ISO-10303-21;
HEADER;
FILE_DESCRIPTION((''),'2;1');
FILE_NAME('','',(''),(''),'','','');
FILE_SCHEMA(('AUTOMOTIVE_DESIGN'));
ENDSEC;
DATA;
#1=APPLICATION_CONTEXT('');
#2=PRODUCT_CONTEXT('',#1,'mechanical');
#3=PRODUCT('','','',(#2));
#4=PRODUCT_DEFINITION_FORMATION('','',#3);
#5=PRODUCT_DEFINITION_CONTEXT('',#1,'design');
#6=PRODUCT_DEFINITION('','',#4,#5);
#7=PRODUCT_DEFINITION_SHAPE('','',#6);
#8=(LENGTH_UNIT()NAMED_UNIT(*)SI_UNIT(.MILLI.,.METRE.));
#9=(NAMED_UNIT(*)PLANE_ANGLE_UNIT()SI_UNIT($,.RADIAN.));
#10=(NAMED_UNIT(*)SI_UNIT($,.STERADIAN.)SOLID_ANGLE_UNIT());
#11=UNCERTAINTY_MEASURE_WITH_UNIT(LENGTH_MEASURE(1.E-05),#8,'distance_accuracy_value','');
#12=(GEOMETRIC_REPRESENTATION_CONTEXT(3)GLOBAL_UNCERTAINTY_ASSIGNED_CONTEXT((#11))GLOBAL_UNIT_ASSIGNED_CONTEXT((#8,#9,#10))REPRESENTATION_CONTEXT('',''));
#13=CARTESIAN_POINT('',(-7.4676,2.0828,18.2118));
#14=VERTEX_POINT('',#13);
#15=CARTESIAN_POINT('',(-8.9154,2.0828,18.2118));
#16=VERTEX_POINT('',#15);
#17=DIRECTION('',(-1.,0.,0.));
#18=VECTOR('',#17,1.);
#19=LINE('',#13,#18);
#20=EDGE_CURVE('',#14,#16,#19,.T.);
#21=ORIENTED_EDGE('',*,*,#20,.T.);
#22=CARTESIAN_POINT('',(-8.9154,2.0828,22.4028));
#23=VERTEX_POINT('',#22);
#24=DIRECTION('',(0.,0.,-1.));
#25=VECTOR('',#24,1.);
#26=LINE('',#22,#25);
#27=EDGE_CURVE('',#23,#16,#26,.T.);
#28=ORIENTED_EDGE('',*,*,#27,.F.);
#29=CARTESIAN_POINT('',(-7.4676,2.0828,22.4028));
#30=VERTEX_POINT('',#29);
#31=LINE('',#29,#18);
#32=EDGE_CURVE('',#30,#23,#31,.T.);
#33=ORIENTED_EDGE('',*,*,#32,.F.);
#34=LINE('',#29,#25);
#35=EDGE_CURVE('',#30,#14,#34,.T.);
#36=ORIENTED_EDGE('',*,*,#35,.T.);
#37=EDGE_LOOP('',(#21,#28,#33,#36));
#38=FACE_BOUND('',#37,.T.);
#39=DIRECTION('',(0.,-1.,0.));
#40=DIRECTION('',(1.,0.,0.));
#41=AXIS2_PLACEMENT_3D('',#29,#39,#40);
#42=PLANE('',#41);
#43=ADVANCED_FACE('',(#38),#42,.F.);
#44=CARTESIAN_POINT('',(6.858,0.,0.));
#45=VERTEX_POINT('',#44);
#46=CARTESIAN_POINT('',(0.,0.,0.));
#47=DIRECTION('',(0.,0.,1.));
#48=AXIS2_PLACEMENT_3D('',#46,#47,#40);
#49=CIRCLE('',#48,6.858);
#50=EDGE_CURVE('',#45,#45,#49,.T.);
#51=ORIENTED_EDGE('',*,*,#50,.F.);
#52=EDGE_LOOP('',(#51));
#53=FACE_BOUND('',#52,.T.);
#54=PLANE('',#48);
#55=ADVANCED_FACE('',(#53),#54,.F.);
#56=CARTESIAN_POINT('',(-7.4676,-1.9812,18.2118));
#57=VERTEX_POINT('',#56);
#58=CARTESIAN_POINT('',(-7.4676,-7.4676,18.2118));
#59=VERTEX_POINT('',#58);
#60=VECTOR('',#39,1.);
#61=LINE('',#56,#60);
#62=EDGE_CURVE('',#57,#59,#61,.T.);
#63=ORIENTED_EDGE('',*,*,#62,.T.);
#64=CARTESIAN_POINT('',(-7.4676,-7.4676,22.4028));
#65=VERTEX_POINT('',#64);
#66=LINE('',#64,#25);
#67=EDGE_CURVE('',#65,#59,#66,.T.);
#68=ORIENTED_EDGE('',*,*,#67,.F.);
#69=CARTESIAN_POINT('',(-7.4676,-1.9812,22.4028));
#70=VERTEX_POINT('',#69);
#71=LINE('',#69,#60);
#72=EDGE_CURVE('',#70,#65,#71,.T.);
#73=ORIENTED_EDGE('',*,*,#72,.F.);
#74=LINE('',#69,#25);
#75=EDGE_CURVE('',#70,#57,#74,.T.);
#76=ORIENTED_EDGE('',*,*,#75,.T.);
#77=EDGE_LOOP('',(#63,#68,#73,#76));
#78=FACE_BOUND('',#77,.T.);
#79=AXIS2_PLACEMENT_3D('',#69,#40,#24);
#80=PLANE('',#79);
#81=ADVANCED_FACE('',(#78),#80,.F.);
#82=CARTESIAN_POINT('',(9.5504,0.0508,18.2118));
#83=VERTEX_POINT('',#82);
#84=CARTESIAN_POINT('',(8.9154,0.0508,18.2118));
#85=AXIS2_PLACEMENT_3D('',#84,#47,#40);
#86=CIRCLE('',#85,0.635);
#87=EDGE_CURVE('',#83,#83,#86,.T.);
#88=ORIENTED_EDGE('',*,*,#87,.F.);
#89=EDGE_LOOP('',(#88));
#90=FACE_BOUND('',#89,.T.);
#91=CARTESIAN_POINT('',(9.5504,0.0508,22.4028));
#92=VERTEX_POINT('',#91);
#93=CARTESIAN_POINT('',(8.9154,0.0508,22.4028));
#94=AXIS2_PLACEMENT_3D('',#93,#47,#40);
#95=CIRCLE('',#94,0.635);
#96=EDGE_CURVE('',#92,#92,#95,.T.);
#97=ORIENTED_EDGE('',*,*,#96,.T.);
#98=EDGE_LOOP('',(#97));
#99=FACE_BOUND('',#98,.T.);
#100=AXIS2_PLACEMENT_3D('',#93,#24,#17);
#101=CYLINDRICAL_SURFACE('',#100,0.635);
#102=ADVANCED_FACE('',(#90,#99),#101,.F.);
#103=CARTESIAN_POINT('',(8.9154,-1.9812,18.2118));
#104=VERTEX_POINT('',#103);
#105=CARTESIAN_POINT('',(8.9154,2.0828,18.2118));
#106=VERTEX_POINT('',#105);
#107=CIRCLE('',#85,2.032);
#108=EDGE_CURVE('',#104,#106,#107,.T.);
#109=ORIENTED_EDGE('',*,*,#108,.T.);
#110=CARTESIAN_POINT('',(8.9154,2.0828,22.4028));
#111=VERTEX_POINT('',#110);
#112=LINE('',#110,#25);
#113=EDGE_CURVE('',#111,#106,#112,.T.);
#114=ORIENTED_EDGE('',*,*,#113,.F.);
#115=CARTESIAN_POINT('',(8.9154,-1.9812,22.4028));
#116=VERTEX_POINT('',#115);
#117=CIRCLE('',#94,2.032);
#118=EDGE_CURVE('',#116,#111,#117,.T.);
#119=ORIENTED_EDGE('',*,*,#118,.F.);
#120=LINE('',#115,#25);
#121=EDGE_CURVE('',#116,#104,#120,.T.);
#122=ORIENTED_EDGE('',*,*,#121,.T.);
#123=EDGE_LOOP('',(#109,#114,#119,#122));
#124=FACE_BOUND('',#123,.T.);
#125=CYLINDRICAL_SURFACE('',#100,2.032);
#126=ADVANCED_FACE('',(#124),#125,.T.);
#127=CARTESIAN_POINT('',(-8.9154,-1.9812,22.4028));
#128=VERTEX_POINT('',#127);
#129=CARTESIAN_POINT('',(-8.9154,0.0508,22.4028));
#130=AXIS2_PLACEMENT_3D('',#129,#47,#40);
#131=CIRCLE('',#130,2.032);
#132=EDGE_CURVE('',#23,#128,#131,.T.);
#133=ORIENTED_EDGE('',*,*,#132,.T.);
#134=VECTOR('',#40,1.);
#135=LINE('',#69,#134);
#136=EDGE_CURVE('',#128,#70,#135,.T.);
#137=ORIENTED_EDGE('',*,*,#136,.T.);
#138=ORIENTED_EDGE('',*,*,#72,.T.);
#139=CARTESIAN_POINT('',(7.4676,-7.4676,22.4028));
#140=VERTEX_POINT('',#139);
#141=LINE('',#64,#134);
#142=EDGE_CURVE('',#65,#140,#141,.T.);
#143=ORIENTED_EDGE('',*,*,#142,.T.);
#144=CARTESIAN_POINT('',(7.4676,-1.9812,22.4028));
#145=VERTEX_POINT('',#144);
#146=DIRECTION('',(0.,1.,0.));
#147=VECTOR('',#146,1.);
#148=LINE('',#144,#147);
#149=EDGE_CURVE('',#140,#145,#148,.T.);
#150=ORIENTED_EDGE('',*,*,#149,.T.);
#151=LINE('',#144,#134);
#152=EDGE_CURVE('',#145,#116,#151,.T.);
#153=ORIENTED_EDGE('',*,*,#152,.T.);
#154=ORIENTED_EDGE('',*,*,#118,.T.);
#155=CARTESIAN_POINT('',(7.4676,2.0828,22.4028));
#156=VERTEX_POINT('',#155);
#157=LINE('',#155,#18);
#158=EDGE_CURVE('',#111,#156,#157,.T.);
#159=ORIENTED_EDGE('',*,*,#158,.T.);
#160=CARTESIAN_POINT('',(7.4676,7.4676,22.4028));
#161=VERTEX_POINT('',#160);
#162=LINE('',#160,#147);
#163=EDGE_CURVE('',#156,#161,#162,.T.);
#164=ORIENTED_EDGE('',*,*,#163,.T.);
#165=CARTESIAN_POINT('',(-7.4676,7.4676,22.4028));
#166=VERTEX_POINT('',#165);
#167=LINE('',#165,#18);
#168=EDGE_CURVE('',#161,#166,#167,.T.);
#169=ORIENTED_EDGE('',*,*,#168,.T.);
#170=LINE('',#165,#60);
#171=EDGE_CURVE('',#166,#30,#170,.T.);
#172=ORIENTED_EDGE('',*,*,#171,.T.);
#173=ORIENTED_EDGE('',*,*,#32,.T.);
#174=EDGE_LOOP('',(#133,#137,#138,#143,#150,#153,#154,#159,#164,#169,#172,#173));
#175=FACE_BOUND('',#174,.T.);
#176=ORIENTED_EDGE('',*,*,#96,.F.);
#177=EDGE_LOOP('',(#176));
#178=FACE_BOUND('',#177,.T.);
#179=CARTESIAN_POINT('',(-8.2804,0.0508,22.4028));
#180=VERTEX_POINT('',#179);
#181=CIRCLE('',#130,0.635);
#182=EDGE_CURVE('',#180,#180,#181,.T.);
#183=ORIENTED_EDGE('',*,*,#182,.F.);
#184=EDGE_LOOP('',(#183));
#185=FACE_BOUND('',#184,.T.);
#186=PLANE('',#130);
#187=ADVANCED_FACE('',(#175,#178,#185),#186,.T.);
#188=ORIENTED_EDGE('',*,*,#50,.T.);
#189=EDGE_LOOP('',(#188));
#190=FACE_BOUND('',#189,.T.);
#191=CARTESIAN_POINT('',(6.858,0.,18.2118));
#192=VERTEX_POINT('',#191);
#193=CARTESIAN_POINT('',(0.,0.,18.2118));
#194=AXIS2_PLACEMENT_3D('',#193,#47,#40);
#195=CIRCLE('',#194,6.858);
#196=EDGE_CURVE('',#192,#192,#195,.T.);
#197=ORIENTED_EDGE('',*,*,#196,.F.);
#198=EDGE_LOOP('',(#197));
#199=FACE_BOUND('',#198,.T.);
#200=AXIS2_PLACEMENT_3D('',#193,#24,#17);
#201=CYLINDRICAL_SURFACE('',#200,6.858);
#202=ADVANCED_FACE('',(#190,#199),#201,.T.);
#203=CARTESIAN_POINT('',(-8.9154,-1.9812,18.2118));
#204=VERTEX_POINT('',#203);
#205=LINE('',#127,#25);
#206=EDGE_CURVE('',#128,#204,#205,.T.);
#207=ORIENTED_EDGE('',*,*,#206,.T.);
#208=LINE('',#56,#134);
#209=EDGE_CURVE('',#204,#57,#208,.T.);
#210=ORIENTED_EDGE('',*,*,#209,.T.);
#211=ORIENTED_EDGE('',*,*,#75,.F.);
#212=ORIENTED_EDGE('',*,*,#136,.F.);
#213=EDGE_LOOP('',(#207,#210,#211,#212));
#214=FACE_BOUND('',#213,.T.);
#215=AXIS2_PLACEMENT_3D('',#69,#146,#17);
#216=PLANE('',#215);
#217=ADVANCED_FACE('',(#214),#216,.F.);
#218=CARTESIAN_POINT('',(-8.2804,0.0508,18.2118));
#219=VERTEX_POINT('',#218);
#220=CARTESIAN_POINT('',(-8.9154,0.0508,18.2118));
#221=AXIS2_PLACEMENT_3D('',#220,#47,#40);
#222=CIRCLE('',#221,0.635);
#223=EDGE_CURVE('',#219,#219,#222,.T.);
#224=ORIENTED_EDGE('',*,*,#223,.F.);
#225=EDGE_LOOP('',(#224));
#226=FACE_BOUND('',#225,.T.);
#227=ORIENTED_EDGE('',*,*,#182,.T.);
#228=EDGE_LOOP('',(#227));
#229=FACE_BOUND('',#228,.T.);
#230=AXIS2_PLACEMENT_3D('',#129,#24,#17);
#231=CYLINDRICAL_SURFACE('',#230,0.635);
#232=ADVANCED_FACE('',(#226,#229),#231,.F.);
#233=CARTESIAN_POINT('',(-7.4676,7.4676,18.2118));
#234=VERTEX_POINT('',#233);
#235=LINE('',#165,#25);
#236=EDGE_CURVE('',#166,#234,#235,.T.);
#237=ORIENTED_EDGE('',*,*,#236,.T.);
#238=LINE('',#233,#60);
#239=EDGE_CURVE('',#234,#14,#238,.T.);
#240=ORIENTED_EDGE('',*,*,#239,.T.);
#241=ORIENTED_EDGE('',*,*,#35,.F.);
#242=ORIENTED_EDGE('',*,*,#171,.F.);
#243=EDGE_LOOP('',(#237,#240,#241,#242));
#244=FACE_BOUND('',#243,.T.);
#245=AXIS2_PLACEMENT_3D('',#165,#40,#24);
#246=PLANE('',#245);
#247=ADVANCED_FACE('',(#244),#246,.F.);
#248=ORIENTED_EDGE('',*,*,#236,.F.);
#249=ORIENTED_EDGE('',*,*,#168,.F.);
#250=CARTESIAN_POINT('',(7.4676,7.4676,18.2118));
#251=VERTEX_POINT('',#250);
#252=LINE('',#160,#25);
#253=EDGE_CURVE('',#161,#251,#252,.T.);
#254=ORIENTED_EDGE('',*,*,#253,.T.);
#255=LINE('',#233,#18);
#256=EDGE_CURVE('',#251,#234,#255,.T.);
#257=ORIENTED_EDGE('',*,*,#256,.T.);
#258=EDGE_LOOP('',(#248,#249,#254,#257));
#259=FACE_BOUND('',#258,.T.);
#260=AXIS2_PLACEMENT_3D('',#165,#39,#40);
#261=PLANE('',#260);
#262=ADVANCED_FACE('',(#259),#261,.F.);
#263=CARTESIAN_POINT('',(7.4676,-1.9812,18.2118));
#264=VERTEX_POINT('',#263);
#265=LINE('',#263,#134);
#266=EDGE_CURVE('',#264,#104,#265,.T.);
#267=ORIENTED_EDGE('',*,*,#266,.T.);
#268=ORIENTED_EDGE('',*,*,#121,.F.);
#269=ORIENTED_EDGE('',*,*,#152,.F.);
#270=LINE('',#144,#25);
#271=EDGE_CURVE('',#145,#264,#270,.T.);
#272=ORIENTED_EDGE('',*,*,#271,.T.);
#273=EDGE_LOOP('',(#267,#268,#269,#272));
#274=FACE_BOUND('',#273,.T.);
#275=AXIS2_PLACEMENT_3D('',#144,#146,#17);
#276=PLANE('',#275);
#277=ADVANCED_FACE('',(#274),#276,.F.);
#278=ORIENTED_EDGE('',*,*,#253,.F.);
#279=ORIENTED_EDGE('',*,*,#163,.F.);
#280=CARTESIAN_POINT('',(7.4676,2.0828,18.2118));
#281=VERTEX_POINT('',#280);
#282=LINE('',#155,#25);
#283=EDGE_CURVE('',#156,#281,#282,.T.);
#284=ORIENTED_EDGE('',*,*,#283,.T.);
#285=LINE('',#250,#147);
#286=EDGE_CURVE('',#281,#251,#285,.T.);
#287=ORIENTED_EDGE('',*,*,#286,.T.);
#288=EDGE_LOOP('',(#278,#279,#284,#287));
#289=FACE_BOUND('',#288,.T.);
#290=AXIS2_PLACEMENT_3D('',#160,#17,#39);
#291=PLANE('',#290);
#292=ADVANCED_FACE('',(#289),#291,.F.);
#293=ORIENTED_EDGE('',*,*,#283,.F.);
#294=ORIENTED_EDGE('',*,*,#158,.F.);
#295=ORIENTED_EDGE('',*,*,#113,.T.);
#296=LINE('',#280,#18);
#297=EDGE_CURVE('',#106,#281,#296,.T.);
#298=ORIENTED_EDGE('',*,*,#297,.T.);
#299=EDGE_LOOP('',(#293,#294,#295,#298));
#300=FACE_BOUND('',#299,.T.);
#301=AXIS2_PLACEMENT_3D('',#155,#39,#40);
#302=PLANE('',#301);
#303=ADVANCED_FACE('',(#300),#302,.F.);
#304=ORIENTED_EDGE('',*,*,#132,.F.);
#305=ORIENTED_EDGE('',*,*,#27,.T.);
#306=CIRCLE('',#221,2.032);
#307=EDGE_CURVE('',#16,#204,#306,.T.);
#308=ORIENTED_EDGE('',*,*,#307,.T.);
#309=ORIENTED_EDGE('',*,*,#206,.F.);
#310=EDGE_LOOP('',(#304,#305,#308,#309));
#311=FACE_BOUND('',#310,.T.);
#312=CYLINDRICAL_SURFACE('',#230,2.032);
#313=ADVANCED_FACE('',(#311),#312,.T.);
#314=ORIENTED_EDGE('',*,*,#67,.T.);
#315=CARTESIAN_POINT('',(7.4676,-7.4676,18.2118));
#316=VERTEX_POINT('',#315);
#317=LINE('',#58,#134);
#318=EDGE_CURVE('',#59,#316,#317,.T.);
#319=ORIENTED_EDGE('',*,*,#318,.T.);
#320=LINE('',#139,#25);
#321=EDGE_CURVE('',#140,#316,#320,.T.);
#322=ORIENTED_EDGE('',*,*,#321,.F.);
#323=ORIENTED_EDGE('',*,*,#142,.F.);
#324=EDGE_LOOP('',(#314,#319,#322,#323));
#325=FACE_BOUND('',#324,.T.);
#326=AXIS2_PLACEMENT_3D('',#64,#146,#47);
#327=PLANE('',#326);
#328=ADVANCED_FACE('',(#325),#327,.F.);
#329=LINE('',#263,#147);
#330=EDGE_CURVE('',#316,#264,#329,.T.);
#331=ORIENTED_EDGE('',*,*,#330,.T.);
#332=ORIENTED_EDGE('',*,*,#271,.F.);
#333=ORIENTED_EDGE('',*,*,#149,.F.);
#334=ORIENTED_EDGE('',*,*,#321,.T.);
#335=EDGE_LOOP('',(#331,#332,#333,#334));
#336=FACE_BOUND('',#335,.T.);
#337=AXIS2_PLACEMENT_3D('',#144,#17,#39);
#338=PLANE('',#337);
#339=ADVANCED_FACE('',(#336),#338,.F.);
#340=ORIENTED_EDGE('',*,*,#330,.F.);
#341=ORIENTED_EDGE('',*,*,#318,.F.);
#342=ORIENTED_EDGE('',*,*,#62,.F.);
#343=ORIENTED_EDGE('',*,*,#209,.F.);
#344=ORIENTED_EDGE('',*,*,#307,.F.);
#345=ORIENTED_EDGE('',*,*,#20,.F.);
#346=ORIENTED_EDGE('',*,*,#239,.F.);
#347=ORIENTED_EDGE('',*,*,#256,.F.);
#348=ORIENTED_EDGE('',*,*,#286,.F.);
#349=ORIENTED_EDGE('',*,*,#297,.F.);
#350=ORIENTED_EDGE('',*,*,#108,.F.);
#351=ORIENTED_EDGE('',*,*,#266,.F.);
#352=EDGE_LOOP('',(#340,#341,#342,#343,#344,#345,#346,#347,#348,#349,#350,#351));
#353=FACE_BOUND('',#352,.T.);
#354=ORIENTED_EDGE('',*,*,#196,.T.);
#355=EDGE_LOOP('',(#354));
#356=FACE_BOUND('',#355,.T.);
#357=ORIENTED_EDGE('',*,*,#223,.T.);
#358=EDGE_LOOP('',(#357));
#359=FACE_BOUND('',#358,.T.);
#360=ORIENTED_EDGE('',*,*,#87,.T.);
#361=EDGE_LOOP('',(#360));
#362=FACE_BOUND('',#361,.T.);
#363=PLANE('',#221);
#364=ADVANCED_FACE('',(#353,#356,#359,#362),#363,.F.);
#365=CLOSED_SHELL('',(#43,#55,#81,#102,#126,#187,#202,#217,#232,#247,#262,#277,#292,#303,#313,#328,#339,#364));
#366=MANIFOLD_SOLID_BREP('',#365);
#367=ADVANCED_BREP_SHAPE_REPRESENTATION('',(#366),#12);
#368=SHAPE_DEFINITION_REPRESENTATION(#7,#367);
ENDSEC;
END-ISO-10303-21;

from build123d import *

# Parameters (mm, degrees)
SKETCH1_R           = 6.858
BOSS_EXTRUDE1_DEPTH = 18.2118
SKETCH2_R           = 0.635
BOSS_EXTRUDE2_DEPTH = 4.191


with BuildPart() as part:
    # Sketch1 → Boss-Extrude1 (new body)
    with BuildSketch(Plane.XY):
        Circle(SKETCH1_R)
    extrude(amount=BOSS_EXTRUDE1_DEPTH)

    # Sketch2 → Boss-Extrude2 (add)
    with BuildSketch(Plane.XY.offset(18.2118)):
        with BuildLine():
            Line((-7.4676, 7.4676), (7.4676, 7.4676))
            Line((7.4676, 7.4676), (7.4676, 2.0828))
            Line((7.4676, 2.0828), (8.9154, 2.0828))
            ThreePointArc((8.9154, 2.0828), (10.9474, 0.0508), (8.9154, -1.9812))
            Line((8.9154, -1.9812), (7.4676, -1.9812))
            Line((7.4676, -1.9812), (7.4676, -7.4676))
            Line((7.4676, -7.4676), (-7.4676, -7.4676))
            Line((-7.4676, -7.4676), (-7.4676, -1.9812))
            Line((-7.4676, -1.9812), (-8.9154, -1.9812))
            ThreePointArc((-8.9154, -1.9812), (-10.9474, 0.0508), (-8.9154, 2.0828))
            Line((-8.9154, 2.0828), (-7.4676, 2.0828))
            Line((-7.4676, 2.0828), (-7.4676, 7.4676))
        make_face()
        with Locations((-8.9154, 0.0508)):
            Circle(SKETCH2_R, mode=Mode.SUBTRACT)
        with Locations((8.9154, 0.0508)):
            Circle(SKETCH2_R, mode=Mode.SUBTRACT)
    extrude(amount=BOSS_EXTRUDE2_DEPTH)


solid = part.part
